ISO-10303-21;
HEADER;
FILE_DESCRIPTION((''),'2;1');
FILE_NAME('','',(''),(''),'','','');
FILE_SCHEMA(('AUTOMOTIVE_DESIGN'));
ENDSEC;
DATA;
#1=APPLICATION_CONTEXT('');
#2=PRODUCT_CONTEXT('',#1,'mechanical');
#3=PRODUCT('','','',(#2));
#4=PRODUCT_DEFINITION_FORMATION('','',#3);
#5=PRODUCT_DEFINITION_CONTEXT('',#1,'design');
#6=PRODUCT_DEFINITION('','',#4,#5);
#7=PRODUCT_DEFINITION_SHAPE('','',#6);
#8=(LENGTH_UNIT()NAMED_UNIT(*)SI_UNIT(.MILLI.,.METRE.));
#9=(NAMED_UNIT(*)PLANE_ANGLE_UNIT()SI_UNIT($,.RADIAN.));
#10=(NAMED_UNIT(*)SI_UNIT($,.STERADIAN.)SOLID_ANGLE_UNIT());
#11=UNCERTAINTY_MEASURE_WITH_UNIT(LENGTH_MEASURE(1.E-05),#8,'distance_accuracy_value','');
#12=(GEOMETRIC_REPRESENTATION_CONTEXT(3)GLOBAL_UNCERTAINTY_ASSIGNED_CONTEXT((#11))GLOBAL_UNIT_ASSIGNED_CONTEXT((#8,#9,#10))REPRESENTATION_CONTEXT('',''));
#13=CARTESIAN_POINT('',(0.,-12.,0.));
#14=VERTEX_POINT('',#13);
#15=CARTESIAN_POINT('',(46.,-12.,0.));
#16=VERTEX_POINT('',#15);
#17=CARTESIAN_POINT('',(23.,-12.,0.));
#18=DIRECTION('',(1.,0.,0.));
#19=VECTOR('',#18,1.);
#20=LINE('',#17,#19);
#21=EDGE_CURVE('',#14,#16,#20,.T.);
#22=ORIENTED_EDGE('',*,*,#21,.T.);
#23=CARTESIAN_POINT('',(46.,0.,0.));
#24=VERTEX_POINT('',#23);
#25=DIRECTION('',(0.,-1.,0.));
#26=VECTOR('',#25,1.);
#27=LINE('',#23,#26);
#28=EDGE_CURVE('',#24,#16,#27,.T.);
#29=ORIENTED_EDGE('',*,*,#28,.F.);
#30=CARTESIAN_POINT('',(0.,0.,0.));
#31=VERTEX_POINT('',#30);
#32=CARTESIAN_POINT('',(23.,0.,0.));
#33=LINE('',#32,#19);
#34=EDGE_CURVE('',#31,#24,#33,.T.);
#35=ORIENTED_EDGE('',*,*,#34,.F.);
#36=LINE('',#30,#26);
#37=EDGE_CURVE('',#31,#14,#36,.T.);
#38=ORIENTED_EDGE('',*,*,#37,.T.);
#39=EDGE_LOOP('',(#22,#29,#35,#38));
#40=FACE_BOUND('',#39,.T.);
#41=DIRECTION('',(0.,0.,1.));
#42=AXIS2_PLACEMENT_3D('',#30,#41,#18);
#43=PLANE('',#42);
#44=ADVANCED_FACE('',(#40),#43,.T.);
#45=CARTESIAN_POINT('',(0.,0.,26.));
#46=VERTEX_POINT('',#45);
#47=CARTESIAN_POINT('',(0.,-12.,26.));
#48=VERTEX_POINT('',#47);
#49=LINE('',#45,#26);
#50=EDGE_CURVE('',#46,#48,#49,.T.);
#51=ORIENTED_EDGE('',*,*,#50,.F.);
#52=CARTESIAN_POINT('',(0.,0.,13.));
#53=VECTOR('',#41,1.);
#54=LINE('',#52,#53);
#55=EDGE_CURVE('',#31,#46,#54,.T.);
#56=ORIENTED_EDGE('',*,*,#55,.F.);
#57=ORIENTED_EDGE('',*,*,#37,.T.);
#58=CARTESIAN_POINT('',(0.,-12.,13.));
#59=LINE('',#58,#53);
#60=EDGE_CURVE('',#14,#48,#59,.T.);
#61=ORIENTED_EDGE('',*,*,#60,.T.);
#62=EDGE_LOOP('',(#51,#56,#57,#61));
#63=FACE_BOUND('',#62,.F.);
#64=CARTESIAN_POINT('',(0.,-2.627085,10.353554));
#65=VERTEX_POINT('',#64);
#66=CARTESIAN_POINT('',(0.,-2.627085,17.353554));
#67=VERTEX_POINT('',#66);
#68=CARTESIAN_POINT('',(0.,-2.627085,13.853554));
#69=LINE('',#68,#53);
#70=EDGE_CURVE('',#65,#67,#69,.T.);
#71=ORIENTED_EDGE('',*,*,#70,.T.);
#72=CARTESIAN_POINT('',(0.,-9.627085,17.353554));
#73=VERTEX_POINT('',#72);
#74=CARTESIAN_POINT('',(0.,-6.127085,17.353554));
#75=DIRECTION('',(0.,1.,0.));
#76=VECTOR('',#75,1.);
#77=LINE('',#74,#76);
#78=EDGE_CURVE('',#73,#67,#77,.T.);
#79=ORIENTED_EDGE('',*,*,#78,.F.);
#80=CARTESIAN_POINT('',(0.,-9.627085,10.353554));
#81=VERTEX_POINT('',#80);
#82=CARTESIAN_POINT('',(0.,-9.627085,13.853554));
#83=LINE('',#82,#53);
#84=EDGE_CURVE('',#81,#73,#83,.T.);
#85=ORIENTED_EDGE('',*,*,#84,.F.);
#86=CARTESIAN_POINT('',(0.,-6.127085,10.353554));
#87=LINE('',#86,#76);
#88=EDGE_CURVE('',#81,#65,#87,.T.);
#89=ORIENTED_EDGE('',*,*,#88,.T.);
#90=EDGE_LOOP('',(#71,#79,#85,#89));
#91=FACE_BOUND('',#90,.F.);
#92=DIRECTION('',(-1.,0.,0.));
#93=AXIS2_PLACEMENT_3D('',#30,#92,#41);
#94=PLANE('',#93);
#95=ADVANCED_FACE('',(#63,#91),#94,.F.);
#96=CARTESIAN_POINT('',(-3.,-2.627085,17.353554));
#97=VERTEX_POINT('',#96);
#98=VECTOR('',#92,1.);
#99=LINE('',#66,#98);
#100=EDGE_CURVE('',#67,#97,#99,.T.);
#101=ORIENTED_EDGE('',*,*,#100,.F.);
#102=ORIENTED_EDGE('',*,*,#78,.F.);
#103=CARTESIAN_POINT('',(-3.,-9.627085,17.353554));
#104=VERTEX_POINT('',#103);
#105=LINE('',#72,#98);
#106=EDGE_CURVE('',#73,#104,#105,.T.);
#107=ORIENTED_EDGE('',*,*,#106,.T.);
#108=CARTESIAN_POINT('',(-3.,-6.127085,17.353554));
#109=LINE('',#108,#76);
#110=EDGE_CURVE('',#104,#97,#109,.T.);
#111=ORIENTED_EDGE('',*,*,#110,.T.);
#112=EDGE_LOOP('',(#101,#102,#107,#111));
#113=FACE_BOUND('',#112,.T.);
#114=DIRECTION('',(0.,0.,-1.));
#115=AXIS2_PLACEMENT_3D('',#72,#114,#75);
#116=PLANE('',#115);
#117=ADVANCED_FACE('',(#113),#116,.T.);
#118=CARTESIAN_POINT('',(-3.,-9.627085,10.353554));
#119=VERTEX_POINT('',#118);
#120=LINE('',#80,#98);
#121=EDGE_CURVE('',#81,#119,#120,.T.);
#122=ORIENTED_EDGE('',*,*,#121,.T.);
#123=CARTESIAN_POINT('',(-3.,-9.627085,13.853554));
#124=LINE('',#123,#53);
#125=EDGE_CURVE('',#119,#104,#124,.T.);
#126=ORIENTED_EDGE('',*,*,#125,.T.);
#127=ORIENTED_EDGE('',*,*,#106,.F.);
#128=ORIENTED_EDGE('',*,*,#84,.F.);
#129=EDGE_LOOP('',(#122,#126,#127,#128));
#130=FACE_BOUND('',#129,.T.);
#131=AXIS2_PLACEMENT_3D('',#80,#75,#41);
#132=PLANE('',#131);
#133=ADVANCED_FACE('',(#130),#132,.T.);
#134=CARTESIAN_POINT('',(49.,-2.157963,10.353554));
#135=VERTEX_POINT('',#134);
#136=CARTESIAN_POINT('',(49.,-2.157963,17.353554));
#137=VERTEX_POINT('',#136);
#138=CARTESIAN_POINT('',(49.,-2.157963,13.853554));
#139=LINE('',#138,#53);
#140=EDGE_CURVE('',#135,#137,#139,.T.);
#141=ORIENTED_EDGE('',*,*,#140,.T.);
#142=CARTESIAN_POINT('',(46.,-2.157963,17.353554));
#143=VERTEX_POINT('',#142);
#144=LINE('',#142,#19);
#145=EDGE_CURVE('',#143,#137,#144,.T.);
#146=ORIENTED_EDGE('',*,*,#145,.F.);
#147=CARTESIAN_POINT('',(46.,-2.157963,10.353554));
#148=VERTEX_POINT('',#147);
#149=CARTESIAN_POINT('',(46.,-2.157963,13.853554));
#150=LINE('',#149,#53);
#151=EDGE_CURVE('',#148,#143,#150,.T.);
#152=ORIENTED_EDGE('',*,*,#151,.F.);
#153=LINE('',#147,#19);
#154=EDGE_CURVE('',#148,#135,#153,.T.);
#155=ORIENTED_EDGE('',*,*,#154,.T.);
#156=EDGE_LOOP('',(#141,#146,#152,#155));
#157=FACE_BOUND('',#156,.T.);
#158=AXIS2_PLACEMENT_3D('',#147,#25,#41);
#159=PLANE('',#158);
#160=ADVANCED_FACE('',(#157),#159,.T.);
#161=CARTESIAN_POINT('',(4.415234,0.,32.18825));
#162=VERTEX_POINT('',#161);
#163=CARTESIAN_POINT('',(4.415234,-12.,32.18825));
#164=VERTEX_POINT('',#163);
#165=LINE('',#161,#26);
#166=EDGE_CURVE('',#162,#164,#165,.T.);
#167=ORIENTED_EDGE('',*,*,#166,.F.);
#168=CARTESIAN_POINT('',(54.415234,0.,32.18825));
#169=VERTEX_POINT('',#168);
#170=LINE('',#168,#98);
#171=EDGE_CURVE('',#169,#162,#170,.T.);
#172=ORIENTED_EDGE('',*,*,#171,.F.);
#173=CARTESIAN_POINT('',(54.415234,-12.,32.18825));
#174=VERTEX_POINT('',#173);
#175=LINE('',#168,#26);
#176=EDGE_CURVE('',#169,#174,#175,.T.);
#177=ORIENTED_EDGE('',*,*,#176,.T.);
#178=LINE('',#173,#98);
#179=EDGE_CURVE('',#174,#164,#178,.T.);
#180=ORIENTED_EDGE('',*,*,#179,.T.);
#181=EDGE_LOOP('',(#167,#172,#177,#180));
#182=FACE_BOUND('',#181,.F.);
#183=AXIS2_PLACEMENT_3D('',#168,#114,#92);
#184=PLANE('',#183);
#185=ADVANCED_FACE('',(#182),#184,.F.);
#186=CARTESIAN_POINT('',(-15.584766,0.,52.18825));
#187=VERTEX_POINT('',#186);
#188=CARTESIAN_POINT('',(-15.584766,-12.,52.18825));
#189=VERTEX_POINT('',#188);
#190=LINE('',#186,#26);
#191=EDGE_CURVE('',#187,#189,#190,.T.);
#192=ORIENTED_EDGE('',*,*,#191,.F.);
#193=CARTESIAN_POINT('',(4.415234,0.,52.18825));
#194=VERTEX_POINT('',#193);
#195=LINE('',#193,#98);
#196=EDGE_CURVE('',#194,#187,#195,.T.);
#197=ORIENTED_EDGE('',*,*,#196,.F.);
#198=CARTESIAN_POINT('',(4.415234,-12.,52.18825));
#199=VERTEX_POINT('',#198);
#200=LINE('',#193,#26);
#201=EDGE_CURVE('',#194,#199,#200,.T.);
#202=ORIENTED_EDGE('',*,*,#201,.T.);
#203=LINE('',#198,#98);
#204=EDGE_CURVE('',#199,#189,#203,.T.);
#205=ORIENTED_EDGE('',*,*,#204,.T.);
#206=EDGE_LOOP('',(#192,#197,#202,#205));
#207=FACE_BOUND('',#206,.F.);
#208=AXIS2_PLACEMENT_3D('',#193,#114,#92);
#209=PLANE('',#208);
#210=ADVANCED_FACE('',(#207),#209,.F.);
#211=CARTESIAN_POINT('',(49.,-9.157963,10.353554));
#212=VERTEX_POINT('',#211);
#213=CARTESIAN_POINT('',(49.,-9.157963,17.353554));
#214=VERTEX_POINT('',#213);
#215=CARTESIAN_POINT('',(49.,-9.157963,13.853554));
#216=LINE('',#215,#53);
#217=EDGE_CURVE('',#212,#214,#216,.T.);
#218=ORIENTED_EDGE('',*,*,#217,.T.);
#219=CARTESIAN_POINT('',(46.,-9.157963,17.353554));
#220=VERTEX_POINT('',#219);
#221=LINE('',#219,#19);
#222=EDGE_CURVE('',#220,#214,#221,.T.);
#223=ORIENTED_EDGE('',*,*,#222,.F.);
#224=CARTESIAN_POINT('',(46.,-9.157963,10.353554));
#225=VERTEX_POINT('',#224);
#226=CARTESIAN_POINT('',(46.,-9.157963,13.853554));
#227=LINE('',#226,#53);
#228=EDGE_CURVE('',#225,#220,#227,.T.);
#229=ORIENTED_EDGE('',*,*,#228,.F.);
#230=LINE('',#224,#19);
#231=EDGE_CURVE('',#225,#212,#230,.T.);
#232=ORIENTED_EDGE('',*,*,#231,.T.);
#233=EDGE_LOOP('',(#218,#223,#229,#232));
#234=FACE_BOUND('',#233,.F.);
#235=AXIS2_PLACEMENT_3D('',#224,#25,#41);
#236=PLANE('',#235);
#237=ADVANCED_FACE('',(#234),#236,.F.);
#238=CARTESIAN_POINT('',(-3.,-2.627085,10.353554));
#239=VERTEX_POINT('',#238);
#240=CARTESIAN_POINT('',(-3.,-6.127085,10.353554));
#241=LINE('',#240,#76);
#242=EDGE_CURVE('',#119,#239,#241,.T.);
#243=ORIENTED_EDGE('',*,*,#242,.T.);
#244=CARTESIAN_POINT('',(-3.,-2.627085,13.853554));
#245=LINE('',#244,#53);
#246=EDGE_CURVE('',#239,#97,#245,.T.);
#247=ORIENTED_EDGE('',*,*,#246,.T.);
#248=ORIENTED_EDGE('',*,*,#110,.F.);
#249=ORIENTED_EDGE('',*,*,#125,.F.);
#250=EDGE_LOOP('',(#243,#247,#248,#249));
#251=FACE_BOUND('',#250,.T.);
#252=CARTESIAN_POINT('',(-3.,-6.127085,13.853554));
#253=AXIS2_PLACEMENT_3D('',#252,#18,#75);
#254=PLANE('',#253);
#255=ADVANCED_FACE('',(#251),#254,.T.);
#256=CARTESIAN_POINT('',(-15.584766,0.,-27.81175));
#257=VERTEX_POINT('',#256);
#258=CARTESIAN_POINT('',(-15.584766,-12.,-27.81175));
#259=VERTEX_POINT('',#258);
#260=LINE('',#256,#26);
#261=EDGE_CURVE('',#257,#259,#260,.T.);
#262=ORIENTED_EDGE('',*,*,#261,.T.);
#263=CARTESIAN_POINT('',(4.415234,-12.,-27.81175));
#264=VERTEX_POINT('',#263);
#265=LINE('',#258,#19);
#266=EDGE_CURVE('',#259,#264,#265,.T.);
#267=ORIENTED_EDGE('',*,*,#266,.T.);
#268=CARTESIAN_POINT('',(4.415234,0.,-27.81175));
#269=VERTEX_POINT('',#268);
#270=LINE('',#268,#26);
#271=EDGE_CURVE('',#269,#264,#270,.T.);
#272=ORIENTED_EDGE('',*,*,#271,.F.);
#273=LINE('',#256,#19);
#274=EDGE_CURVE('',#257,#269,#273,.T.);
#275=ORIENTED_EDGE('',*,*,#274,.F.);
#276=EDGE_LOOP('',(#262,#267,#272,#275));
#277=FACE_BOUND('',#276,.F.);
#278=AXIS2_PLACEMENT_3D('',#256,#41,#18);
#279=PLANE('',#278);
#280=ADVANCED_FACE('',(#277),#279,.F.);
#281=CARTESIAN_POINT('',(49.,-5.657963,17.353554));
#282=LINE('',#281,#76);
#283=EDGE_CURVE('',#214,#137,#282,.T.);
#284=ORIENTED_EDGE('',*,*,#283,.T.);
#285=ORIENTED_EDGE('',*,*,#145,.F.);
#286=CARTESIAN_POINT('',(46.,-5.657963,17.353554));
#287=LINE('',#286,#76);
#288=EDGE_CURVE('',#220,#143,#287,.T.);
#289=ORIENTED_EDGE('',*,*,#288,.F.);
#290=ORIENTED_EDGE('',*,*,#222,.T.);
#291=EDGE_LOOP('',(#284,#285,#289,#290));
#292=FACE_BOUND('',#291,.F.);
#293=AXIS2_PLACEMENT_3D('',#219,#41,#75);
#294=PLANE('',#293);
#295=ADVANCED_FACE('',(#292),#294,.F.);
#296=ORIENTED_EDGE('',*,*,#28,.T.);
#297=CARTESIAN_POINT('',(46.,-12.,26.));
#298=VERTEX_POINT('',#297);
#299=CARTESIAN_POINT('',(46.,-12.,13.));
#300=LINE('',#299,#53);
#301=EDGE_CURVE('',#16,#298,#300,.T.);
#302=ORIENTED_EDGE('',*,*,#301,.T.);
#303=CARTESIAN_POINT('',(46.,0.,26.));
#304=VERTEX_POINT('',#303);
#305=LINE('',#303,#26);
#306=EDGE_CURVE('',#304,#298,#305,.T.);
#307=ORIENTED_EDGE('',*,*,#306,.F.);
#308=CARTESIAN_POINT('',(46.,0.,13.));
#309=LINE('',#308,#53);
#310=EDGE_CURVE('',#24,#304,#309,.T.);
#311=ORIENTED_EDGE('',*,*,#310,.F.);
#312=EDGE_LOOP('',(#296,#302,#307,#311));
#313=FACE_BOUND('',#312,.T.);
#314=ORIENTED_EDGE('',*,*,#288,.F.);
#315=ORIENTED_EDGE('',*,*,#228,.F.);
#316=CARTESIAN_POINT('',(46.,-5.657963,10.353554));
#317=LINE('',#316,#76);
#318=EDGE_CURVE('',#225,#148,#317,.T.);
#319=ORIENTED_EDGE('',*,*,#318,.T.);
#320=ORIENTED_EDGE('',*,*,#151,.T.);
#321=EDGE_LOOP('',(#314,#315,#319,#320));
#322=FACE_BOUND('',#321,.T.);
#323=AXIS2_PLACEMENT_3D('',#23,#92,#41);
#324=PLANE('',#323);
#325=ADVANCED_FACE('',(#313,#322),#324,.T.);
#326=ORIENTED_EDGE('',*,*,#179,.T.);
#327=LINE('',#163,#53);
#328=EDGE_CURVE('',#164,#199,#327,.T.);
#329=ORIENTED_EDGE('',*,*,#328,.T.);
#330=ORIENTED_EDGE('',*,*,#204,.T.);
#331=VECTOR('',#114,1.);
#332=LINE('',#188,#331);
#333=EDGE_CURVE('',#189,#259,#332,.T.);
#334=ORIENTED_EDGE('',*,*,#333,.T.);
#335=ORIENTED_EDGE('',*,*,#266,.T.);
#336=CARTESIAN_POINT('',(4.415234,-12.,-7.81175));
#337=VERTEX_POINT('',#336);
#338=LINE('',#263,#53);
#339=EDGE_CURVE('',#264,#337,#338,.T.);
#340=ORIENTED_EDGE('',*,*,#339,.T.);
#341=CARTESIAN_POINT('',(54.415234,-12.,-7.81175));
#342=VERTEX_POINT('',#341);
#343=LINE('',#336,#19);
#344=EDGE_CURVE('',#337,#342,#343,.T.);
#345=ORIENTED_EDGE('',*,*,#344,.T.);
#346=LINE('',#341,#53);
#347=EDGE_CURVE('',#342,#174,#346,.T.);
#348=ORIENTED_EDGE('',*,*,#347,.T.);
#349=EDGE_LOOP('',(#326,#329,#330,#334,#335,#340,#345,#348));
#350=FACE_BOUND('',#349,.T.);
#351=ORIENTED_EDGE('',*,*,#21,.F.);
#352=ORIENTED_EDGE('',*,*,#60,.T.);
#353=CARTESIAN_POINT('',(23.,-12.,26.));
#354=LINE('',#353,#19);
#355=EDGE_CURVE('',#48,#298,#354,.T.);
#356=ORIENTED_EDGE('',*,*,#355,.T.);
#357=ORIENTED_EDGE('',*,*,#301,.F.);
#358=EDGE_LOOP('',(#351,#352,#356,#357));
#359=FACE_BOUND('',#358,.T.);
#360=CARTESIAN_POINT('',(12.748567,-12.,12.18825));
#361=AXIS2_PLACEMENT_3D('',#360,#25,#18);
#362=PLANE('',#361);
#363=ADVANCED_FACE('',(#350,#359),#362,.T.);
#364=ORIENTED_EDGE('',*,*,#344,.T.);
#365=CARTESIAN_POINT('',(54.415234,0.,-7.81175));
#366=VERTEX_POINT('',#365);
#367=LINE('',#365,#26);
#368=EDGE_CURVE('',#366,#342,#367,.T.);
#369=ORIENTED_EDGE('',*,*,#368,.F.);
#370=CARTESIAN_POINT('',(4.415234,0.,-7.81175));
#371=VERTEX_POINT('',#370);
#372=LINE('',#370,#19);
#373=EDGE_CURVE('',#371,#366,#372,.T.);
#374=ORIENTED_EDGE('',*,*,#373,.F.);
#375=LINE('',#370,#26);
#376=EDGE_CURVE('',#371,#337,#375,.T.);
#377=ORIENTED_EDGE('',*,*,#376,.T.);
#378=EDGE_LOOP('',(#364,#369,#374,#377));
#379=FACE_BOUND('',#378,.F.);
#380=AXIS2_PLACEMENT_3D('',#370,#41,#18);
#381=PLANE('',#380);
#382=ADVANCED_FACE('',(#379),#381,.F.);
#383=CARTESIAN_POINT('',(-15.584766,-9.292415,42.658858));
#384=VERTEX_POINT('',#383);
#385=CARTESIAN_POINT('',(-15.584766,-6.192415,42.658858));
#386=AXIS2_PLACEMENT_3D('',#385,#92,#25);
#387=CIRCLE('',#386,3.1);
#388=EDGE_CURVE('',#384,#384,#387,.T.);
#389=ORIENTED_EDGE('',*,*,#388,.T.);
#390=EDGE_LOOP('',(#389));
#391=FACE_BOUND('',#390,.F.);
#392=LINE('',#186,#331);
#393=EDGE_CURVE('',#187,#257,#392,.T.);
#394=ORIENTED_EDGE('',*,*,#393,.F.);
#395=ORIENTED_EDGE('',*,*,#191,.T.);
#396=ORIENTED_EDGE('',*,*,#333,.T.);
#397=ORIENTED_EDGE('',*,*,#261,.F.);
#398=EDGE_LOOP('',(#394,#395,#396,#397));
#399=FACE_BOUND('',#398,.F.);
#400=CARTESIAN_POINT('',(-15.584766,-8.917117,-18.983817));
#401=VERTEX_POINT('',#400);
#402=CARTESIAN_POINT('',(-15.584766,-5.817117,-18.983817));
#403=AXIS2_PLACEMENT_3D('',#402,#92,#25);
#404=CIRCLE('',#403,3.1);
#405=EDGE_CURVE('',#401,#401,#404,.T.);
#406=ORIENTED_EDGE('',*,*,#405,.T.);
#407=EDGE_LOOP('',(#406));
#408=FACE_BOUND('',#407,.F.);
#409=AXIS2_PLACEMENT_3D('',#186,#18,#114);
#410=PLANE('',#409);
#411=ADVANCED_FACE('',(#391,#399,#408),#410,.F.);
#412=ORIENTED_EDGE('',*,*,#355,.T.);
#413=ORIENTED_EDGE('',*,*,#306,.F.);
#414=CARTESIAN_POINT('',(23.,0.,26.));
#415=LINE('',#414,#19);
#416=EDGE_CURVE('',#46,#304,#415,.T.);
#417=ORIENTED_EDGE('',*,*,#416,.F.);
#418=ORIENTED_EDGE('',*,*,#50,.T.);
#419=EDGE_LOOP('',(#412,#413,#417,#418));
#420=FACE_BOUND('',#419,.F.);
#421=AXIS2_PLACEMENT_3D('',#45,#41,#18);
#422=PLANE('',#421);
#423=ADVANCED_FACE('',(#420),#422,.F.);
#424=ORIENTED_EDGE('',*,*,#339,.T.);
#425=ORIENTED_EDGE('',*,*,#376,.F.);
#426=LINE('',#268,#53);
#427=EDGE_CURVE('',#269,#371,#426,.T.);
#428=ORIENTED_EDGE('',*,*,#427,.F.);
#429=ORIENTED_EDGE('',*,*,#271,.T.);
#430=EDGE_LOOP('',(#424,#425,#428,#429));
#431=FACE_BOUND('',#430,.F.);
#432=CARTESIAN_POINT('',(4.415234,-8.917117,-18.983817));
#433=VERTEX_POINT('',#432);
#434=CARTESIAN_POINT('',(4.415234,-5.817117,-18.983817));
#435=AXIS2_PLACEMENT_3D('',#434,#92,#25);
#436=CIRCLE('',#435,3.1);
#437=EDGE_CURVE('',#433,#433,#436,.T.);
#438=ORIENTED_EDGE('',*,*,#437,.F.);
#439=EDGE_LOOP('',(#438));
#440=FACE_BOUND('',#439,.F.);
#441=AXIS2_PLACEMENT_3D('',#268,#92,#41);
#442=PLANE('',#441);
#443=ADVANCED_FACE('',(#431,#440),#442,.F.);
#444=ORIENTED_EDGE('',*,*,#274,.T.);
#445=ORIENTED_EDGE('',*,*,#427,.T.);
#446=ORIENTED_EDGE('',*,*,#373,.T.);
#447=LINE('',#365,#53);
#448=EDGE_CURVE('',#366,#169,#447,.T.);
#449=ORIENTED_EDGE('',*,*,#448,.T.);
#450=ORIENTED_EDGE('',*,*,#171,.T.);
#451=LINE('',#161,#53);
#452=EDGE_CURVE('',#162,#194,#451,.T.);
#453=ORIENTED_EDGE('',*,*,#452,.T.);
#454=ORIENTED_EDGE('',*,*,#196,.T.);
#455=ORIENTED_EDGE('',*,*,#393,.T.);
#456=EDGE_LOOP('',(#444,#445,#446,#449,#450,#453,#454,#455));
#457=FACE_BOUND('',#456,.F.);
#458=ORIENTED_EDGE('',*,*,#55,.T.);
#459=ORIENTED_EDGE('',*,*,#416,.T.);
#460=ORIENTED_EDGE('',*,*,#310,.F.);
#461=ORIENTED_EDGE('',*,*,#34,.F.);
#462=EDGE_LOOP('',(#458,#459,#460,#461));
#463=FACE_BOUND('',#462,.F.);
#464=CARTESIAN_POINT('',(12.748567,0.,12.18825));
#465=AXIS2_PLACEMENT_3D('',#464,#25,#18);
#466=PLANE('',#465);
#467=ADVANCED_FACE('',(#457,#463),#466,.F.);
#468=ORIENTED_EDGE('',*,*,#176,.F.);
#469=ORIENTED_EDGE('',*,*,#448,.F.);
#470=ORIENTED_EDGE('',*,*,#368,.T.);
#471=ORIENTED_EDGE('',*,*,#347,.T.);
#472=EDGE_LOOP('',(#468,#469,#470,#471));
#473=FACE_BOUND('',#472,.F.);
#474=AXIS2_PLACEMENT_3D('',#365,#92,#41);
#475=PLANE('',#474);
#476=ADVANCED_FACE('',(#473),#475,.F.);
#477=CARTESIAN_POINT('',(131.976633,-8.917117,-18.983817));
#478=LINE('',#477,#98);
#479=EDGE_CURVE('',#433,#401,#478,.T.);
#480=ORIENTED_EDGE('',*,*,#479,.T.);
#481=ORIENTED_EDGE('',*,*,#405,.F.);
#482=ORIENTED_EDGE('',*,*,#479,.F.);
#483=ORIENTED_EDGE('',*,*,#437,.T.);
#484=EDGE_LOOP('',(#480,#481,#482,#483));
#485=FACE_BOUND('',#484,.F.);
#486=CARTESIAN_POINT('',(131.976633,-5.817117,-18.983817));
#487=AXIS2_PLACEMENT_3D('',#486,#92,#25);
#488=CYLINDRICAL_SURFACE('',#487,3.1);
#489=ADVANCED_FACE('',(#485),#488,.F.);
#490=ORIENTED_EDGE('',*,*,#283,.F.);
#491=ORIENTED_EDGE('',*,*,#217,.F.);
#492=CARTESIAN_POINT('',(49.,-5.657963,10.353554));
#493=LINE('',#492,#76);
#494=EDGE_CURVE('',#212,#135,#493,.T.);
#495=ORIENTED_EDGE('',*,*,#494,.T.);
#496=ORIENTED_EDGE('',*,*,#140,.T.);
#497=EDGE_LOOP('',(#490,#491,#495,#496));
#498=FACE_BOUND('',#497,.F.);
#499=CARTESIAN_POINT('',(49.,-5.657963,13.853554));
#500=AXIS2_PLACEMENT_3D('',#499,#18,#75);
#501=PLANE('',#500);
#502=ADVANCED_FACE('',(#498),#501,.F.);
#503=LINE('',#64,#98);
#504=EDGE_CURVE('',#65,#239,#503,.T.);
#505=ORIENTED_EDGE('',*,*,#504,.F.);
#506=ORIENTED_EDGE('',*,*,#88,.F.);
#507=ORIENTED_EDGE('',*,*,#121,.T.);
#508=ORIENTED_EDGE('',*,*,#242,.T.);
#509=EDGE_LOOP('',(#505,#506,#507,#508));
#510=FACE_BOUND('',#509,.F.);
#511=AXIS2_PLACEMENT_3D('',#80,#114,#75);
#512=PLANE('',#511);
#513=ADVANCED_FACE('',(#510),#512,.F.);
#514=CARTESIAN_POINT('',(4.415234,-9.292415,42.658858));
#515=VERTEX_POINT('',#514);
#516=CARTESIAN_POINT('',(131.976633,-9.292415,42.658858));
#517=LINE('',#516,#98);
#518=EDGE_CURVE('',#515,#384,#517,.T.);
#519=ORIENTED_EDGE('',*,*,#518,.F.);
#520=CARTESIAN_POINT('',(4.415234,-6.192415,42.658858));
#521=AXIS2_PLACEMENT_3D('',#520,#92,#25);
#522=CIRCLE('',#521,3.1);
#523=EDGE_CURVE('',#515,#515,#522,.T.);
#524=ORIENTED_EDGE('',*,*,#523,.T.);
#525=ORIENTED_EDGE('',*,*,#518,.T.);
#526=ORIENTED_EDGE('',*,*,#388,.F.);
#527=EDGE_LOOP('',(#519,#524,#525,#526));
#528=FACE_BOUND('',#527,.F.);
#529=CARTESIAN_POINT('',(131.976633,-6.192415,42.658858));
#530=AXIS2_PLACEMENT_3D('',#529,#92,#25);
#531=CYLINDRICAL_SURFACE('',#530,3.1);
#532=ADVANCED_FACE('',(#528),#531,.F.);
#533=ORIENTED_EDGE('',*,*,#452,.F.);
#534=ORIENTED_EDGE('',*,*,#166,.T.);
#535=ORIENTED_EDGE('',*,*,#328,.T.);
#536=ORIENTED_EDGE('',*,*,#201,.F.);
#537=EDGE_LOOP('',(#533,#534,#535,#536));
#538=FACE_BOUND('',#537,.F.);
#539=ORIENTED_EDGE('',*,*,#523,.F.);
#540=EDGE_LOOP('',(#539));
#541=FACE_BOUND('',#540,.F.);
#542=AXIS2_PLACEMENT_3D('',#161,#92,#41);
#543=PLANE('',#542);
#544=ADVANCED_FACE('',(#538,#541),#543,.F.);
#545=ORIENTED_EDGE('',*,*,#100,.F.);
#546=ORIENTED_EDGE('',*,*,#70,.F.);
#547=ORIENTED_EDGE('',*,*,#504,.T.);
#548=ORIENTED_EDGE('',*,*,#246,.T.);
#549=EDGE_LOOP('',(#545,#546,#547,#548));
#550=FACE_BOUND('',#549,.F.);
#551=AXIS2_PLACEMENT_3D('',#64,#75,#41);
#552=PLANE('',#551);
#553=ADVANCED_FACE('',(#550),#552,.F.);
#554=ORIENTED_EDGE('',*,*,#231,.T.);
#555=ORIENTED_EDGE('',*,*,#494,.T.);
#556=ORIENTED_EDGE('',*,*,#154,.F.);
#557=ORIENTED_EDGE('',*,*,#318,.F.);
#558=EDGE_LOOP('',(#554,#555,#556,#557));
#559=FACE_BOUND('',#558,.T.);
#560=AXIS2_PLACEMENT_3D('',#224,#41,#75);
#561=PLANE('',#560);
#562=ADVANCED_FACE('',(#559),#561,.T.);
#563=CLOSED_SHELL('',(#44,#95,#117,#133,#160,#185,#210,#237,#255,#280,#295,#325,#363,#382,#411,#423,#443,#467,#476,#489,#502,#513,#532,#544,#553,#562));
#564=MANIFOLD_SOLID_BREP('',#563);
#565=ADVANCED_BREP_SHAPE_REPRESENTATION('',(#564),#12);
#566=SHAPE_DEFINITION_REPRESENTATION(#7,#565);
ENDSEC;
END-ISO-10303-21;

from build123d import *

# Parameters (mm, degrees)
F0_W      = 46
F0_H      = 26
F2_DEPTH  = 12
F4_D      = 6.2
F5_D      = 6.2
F7_W      = 7
F7_H      = 7
F8_DEPTH  = 3
F9_W      = 7
F9_H      = 7
F10_DEPTH = 3


with BuildPart() as f2:
    # F0 (on Front) → F2 (new body)
    with BuildSketch(Plane.XZ):
        Polygon((4.415234, -27.81175), (4.415234, -7.81175), (54.415234, -7.81175), (54.415234, 32.18825), (4.415234, 32.18825), (4.415234, 52.18825), (-15.584766, 52.18825), (-15.584766, -27.81175), align=None)
        with Locations((23, 13)):
            Rectangle(F0_W, F0_H, mode=Mode.SUBTRACT)
    extrude(amount=F2_DEPTH)

    # F4 (through all)
    with Locations(Plane.YZ.offset(25)):
        with Locations((-6.192415, 42.658858)):
            Hole(F4_D / 2)

    # F5 (through all)
    with Locations(Plane.YZ.offset(25)):
        with Locations((-5.817117, -18.983817)):
            Hole(F5_D / 2)

    # F7 (on Right) → F8 (cut)
    with BuildSketch(Plane.YZ):
        with Locations((-6.127085, 13.853554)):
            Rectangle(F7_W, F7_H)
    extrude(amount=-F8_DEPTH, mode=Mode.SUBTRACT)

    # F9 (on offset) → F10 (cut)
    with BuildSketch(Plane.YZ.offset(46)):
        with Locations((-5.657963, 13.853554)):
            Rectangle(F9_W, F9_H)
    extrude(amount=F10_DEPTH, mode=Mode.SUBTRACT)


solid = f2.part
